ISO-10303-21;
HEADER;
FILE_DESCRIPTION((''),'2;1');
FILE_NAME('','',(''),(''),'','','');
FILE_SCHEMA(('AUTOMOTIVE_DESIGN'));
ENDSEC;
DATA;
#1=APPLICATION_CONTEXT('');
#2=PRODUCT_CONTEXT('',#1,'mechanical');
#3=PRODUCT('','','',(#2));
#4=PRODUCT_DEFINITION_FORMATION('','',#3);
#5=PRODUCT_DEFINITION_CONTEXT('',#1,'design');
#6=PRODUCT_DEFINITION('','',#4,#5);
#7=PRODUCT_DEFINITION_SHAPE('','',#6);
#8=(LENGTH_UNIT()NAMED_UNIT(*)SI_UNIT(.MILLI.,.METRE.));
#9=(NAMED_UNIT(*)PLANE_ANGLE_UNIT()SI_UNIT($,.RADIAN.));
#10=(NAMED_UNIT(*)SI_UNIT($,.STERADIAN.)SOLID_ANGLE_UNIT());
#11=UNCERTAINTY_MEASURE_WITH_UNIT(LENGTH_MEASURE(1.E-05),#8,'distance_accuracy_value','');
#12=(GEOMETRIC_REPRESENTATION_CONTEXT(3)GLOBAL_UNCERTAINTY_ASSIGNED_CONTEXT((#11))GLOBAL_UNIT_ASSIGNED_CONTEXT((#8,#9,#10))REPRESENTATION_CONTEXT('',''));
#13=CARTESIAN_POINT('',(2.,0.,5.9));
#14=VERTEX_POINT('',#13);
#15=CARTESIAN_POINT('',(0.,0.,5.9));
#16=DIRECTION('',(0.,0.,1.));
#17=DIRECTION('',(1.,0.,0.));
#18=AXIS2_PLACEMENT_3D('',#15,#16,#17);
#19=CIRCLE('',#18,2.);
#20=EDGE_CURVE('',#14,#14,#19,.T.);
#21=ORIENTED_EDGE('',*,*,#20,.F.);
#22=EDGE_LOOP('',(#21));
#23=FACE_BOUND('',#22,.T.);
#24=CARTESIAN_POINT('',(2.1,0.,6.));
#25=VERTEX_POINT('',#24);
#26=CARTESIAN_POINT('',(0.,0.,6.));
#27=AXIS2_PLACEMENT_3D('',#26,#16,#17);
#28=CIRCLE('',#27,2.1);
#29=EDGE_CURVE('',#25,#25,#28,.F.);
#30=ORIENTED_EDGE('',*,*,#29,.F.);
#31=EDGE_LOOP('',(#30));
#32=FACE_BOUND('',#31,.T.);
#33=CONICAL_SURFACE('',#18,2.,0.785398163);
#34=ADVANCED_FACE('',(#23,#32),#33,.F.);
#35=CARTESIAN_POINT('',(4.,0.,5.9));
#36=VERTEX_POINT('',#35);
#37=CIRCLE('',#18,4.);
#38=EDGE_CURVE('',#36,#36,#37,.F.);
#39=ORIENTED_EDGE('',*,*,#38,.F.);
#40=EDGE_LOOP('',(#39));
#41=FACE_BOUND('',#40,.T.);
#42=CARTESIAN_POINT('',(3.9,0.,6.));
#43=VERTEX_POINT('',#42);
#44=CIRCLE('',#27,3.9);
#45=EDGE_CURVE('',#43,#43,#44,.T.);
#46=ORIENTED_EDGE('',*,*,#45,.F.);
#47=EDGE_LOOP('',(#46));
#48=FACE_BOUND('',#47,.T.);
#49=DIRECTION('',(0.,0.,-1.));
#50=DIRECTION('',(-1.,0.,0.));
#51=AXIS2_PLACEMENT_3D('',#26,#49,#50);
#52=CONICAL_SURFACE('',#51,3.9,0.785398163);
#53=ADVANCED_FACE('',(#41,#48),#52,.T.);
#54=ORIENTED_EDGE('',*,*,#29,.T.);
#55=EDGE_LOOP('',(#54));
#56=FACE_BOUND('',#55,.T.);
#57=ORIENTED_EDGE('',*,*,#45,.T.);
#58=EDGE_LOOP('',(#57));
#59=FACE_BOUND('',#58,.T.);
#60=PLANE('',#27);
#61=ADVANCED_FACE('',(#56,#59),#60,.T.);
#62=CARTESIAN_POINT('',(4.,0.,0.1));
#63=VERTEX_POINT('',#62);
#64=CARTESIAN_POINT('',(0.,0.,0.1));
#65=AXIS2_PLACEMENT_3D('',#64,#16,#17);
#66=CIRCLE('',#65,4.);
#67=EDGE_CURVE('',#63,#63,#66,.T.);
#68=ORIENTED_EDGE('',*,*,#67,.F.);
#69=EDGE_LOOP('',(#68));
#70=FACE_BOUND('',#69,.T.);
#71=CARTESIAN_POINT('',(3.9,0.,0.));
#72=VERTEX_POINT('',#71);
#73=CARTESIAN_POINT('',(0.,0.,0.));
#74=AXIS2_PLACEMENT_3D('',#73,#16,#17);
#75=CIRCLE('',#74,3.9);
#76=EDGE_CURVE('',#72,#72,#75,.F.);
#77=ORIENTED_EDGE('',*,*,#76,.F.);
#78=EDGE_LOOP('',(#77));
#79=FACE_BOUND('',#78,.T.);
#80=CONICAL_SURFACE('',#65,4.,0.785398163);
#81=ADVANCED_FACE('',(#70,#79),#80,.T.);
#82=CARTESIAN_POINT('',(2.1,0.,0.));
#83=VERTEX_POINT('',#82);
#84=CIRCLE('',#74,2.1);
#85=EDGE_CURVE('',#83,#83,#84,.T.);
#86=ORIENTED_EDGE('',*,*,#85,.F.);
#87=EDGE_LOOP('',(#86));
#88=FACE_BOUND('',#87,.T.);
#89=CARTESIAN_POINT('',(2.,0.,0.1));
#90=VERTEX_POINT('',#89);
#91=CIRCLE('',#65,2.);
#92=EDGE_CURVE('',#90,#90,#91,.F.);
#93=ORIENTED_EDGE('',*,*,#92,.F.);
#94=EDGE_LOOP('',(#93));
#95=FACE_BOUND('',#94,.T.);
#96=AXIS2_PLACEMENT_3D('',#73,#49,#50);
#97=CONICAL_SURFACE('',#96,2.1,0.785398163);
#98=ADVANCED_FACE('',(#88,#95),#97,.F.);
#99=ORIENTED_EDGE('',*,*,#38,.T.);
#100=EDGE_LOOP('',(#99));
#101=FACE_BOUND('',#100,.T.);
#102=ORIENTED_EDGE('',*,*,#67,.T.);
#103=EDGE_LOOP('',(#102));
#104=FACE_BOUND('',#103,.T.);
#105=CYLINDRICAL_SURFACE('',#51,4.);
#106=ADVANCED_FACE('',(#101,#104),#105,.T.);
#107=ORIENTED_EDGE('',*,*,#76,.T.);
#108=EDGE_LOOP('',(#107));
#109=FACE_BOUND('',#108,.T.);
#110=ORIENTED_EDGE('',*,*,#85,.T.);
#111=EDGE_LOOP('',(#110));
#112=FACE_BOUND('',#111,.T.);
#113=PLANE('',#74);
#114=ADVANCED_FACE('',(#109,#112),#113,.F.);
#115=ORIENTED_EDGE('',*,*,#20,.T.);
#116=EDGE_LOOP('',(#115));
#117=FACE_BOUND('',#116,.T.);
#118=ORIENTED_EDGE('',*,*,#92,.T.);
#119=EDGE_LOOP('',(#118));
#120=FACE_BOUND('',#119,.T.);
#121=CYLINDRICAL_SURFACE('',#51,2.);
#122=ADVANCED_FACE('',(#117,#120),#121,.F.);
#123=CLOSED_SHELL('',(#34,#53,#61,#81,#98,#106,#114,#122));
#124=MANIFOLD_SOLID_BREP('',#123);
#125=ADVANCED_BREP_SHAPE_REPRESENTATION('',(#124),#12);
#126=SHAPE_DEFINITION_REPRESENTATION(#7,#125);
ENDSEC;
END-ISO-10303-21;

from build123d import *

# Parameters (mm, degrees)
CROQUIS1_R              = 4
CROQUIS1_R_2            = 2
SALIENTE_EXTRUIR1_DEPTH = 6
CHAFL_N1_SIZE           = 0.1


with BuildPart() as part:
    # Croquis1 → Saliente-Extruir1 (new body)
    with BuildSketch(Plane.XY):
        Circle(CROQUIS1_R)
        Circle(CROQUIS1_R_2, mode=Mode.SUBTRACT)
    extrude(amount=SALIENTE_EXTRUIR1_DEPTH)

    # Chaflán1
    chafl_n1_edges = [part.edges().sort_by_distance(p)[0] for p in [
        (-4, 0, 0),
        (-4, 0, 6),
        (-2, 0, 0),
        (-2, 0, 6),
    ]]
    chamfer(chafl_n1_edges, length=CHAFL_N1_SIZE)


solid = part.part
